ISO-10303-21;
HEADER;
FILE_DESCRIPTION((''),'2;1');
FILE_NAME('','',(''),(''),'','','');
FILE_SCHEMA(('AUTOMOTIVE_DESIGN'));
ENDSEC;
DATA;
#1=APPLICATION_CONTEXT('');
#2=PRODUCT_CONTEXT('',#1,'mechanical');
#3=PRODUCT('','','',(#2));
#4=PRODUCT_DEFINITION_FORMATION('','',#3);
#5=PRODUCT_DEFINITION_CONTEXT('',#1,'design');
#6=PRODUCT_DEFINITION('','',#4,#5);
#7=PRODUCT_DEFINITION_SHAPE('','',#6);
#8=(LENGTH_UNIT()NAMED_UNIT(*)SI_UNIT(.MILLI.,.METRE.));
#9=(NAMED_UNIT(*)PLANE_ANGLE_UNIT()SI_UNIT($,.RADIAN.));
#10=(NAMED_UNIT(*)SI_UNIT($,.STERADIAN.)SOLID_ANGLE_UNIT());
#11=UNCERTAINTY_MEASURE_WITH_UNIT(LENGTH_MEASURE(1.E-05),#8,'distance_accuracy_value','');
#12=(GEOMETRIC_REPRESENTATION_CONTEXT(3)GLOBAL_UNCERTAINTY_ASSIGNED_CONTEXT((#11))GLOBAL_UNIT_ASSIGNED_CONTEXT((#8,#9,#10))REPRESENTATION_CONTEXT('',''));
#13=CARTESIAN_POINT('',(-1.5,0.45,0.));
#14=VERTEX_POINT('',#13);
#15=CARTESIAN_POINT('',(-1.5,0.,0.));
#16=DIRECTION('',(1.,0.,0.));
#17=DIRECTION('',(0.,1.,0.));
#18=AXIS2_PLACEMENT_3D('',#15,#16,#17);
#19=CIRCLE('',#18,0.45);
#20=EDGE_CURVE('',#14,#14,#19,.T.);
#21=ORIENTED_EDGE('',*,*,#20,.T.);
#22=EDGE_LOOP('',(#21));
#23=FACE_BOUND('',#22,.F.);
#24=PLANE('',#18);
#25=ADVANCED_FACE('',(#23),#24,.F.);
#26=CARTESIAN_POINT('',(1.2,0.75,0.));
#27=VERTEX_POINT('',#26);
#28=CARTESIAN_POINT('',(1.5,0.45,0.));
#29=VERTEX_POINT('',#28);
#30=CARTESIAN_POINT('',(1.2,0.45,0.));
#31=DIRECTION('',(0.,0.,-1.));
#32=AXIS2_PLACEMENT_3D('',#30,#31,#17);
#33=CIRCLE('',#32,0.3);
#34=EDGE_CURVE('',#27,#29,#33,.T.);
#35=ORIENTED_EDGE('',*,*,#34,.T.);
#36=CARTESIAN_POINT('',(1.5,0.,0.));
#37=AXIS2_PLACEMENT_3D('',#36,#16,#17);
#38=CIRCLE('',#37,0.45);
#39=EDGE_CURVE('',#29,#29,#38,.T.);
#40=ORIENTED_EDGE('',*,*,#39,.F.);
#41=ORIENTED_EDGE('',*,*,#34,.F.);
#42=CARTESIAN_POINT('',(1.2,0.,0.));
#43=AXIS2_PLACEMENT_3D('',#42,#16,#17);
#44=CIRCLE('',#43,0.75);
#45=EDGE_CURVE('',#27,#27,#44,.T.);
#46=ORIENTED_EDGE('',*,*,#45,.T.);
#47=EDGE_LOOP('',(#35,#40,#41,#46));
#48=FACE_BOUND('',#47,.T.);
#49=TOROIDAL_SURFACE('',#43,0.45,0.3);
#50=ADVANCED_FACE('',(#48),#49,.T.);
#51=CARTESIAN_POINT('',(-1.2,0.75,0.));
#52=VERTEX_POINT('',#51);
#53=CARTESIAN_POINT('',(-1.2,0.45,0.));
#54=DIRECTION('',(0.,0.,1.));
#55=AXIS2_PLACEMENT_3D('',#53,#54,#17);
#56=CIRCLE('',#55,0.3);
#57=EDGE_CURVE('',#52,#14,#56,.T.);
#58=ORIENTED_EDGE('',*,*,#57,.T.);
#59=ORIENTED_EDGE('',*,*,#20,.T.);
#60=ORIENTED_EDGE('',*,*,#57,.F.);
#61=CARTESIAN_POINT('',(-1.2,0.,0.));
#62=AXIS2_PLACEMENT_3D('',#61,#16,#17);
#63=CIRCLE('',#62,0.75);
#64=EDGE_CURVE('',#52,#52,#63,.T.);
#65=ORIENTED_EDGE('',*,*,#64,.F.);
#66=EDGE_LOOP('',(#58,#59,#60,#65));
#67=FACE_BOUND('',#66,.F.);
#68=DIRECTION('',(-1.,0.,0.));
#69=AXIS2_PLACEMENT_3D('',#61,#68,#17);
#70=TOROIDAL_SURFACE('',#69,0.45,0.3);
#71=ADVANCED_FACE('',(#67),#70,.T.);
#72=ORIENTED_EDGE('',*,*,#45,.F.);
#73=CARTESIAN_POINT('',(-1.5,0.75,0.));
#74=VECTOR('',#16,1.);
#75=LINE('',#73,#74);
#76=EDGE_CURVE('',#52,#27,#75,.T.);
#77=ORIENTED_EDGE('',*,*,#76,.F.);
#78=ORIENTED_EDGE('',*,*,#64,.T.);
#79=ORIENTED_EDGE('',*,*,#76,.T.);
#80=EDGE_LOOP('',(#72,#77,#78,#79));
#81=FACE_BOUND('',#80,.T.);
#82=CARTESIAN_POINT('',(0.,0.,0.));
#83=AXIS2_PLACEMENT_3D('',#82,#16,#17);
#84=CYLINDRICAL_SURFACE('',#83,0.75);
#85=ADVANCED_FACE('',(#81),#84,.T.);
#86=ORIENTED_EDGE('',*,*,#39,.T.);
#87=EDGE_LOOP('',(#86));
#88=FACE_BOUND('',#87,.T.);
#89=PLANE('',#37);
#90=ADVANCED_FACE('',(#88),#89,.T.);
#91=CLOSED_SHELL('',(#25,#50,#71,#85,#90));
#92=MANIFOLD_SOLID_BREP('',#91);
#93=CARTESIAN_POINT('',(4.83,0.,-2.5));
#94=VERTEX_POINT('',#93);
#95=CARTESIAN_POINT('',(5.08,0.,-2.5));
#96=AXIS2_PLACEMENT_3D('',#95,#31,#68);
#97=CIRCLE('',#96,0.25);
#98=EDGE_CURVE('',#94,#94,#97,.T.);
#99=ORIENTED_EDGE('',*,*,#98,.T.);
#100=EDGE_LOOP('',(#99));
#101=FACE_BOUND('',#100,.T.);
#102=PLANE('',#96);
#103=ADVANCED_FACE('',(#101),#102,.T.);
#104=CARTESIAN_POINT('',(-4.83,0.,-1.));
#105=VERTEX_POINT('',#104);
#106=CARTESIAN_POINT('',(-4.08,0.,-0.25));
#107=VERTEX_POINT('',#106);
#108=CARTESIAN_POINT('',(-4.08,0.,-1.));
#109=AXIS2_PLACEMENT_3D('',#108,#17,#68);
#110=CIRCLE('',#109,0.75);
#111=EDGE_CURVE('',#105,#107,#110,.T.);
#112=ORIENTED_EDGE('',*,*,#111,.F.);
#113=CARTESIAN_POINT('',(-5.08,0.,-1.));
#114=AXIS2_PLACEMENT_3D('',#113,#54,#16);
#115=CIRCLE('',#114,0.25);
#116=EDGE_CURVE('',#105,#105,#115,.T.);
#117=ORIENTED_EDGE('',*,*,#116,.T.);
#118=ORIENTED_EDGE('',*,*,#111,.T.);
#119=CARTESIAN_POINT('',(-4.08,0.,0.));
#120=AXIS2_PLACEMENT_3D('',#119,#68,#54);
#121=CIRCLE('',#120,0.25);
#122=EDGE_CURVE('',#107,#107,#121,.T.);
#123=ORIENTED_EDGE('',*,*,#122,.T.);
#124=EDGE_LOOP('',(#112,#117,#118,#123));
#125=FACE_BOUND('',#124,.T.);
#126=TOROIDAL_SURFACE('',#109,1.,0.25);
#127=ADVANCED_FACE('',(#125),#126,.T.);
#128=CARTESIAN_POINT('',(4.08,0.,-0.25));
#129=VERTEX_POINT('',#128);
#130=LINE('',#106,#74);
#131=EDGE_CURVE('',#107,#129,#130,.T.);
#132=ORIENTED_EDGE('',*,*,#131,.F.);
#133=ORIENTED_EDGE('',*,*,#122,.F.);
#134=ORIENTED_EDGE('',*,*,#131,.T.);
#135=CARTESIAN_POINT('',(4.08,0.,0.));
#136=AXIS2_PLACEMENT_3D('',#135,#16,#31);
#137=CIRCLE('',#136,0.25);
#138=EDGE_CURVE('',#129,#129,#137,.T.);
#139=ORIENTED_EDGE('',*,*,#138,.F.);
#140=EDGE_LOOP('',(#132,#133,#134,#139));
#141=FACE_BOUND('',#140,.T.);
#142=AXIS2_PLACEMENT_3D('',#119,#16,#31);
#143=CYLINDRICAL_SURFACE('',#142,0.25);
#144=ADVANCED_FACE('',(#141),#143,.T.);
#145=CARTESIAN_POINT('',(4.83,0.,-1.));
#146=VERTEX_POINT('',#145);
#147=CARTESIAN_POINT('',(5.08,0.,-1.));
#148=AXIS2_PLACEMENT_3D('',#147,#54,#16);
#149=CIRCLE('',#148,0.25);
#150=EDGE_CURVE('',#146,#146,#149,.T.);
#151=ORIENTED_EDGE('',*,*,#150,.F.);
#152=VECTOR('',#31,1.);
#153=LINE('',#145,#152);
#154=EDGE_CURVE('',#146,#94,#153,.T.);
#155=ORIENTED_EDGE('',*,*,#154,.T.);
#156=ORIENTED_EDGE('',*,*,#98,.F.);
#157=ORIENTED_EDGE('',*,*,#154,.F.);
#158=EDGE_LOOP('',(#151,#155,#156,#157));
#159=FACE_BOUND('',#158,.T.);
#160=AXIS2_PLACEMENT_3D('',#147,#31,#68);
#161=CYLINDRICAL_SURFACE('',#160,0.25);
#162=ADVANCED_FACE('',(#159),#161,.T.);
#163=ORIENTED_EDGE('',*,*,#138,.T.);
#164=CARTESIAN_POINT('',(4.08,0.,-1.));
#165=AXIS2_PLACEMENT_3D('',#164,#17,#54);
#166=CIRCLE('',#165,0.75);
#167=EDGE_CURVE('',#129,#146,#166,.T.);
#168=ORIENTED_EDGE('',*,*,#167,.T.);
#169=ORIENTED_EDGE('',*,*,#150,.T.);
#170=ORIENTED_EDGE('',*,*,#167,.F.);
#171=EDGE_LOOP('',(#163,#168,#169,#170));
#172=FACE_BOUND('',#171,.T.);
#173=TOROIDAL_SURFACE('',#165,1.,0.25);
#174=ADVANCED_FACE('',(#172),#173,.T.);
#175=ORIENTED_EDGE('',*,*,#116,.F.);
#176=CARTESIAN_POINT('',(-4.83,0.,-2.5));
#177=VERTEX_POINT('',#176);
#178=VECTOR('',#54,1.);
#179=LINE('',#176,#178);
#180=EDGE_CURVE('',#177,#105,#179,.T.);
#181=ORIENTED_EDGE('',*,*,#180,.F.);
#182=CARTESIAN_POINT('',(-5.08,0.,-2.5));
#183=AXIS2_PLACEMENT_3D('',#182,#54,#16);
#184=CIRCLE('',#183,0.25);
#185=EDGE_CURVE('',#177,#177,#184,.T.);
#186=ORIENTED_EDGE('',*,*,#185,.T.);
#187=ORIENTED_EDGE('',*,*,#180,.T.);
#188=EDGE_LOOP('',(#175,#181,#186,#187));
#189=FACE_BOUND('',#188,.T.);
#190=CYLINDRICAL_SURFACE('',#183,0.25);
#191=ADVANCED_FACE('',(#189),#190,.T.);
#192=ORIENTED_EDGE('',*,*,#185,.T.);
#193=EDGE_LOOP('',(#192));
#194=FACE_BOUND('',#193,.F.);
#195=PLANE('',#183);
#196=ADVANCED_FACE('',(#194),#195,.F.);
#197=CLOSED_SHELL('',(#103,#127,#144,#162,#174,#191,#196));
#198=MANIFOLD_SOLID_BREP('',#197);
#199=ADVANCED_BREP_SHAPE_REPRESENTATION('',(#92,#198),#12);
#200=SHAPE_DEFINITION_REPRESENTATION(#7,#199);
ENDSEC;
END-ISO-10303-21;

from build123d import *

# Parameters (mm, degrees)
F0_R     = 0.75
F1_DEPTH = 1.5
F2_R     = 0.3
F5_R     = 0.25


with BuildPart() as f1:
    # F0 (on Right) → F1 (new body, symmetric)
    with BuildSketch(Plane.YZ):
        Circle(F0_R)
    extrude(amount=F1_DEPTH, both=True)

    # F2
    f2_edges = [f1.edges().sort_by_distance(p)[0] for p in [
        (-1.5, -0.75, 0),
        (1.5, -0.75, 0),
    ]]
    fillet(f2_edges, radius=F2_R)


with BuildPart() as f6:
    # F6: sweep along a path in F3
    with BuildLine(Plane.XZ) as f6_path:
        Line((-5.08, -2.5), (-5.08, -1))
        ThreePointArc((-5.08, -1), (-4.7871067812, -0.2928932188), (-4.08, 0))
        Line((-4.08, 0), (4.08, 0))
        ThreePointArc((4.08, 0), (4.7871067812, -0.2928932188), (5.08, -1))
        Line((5.08, -1), (5.08, -2.5))
    # F5 (on line) → F6 (sweep)
    with BuildSketch(Plane.XY.offset(-2.5)):
        with Locations((-5.08, 0)):
            Circle(F5_R)
    sweep(path=f6_path.line)


solid = Compound([f1.part, f6.part])
